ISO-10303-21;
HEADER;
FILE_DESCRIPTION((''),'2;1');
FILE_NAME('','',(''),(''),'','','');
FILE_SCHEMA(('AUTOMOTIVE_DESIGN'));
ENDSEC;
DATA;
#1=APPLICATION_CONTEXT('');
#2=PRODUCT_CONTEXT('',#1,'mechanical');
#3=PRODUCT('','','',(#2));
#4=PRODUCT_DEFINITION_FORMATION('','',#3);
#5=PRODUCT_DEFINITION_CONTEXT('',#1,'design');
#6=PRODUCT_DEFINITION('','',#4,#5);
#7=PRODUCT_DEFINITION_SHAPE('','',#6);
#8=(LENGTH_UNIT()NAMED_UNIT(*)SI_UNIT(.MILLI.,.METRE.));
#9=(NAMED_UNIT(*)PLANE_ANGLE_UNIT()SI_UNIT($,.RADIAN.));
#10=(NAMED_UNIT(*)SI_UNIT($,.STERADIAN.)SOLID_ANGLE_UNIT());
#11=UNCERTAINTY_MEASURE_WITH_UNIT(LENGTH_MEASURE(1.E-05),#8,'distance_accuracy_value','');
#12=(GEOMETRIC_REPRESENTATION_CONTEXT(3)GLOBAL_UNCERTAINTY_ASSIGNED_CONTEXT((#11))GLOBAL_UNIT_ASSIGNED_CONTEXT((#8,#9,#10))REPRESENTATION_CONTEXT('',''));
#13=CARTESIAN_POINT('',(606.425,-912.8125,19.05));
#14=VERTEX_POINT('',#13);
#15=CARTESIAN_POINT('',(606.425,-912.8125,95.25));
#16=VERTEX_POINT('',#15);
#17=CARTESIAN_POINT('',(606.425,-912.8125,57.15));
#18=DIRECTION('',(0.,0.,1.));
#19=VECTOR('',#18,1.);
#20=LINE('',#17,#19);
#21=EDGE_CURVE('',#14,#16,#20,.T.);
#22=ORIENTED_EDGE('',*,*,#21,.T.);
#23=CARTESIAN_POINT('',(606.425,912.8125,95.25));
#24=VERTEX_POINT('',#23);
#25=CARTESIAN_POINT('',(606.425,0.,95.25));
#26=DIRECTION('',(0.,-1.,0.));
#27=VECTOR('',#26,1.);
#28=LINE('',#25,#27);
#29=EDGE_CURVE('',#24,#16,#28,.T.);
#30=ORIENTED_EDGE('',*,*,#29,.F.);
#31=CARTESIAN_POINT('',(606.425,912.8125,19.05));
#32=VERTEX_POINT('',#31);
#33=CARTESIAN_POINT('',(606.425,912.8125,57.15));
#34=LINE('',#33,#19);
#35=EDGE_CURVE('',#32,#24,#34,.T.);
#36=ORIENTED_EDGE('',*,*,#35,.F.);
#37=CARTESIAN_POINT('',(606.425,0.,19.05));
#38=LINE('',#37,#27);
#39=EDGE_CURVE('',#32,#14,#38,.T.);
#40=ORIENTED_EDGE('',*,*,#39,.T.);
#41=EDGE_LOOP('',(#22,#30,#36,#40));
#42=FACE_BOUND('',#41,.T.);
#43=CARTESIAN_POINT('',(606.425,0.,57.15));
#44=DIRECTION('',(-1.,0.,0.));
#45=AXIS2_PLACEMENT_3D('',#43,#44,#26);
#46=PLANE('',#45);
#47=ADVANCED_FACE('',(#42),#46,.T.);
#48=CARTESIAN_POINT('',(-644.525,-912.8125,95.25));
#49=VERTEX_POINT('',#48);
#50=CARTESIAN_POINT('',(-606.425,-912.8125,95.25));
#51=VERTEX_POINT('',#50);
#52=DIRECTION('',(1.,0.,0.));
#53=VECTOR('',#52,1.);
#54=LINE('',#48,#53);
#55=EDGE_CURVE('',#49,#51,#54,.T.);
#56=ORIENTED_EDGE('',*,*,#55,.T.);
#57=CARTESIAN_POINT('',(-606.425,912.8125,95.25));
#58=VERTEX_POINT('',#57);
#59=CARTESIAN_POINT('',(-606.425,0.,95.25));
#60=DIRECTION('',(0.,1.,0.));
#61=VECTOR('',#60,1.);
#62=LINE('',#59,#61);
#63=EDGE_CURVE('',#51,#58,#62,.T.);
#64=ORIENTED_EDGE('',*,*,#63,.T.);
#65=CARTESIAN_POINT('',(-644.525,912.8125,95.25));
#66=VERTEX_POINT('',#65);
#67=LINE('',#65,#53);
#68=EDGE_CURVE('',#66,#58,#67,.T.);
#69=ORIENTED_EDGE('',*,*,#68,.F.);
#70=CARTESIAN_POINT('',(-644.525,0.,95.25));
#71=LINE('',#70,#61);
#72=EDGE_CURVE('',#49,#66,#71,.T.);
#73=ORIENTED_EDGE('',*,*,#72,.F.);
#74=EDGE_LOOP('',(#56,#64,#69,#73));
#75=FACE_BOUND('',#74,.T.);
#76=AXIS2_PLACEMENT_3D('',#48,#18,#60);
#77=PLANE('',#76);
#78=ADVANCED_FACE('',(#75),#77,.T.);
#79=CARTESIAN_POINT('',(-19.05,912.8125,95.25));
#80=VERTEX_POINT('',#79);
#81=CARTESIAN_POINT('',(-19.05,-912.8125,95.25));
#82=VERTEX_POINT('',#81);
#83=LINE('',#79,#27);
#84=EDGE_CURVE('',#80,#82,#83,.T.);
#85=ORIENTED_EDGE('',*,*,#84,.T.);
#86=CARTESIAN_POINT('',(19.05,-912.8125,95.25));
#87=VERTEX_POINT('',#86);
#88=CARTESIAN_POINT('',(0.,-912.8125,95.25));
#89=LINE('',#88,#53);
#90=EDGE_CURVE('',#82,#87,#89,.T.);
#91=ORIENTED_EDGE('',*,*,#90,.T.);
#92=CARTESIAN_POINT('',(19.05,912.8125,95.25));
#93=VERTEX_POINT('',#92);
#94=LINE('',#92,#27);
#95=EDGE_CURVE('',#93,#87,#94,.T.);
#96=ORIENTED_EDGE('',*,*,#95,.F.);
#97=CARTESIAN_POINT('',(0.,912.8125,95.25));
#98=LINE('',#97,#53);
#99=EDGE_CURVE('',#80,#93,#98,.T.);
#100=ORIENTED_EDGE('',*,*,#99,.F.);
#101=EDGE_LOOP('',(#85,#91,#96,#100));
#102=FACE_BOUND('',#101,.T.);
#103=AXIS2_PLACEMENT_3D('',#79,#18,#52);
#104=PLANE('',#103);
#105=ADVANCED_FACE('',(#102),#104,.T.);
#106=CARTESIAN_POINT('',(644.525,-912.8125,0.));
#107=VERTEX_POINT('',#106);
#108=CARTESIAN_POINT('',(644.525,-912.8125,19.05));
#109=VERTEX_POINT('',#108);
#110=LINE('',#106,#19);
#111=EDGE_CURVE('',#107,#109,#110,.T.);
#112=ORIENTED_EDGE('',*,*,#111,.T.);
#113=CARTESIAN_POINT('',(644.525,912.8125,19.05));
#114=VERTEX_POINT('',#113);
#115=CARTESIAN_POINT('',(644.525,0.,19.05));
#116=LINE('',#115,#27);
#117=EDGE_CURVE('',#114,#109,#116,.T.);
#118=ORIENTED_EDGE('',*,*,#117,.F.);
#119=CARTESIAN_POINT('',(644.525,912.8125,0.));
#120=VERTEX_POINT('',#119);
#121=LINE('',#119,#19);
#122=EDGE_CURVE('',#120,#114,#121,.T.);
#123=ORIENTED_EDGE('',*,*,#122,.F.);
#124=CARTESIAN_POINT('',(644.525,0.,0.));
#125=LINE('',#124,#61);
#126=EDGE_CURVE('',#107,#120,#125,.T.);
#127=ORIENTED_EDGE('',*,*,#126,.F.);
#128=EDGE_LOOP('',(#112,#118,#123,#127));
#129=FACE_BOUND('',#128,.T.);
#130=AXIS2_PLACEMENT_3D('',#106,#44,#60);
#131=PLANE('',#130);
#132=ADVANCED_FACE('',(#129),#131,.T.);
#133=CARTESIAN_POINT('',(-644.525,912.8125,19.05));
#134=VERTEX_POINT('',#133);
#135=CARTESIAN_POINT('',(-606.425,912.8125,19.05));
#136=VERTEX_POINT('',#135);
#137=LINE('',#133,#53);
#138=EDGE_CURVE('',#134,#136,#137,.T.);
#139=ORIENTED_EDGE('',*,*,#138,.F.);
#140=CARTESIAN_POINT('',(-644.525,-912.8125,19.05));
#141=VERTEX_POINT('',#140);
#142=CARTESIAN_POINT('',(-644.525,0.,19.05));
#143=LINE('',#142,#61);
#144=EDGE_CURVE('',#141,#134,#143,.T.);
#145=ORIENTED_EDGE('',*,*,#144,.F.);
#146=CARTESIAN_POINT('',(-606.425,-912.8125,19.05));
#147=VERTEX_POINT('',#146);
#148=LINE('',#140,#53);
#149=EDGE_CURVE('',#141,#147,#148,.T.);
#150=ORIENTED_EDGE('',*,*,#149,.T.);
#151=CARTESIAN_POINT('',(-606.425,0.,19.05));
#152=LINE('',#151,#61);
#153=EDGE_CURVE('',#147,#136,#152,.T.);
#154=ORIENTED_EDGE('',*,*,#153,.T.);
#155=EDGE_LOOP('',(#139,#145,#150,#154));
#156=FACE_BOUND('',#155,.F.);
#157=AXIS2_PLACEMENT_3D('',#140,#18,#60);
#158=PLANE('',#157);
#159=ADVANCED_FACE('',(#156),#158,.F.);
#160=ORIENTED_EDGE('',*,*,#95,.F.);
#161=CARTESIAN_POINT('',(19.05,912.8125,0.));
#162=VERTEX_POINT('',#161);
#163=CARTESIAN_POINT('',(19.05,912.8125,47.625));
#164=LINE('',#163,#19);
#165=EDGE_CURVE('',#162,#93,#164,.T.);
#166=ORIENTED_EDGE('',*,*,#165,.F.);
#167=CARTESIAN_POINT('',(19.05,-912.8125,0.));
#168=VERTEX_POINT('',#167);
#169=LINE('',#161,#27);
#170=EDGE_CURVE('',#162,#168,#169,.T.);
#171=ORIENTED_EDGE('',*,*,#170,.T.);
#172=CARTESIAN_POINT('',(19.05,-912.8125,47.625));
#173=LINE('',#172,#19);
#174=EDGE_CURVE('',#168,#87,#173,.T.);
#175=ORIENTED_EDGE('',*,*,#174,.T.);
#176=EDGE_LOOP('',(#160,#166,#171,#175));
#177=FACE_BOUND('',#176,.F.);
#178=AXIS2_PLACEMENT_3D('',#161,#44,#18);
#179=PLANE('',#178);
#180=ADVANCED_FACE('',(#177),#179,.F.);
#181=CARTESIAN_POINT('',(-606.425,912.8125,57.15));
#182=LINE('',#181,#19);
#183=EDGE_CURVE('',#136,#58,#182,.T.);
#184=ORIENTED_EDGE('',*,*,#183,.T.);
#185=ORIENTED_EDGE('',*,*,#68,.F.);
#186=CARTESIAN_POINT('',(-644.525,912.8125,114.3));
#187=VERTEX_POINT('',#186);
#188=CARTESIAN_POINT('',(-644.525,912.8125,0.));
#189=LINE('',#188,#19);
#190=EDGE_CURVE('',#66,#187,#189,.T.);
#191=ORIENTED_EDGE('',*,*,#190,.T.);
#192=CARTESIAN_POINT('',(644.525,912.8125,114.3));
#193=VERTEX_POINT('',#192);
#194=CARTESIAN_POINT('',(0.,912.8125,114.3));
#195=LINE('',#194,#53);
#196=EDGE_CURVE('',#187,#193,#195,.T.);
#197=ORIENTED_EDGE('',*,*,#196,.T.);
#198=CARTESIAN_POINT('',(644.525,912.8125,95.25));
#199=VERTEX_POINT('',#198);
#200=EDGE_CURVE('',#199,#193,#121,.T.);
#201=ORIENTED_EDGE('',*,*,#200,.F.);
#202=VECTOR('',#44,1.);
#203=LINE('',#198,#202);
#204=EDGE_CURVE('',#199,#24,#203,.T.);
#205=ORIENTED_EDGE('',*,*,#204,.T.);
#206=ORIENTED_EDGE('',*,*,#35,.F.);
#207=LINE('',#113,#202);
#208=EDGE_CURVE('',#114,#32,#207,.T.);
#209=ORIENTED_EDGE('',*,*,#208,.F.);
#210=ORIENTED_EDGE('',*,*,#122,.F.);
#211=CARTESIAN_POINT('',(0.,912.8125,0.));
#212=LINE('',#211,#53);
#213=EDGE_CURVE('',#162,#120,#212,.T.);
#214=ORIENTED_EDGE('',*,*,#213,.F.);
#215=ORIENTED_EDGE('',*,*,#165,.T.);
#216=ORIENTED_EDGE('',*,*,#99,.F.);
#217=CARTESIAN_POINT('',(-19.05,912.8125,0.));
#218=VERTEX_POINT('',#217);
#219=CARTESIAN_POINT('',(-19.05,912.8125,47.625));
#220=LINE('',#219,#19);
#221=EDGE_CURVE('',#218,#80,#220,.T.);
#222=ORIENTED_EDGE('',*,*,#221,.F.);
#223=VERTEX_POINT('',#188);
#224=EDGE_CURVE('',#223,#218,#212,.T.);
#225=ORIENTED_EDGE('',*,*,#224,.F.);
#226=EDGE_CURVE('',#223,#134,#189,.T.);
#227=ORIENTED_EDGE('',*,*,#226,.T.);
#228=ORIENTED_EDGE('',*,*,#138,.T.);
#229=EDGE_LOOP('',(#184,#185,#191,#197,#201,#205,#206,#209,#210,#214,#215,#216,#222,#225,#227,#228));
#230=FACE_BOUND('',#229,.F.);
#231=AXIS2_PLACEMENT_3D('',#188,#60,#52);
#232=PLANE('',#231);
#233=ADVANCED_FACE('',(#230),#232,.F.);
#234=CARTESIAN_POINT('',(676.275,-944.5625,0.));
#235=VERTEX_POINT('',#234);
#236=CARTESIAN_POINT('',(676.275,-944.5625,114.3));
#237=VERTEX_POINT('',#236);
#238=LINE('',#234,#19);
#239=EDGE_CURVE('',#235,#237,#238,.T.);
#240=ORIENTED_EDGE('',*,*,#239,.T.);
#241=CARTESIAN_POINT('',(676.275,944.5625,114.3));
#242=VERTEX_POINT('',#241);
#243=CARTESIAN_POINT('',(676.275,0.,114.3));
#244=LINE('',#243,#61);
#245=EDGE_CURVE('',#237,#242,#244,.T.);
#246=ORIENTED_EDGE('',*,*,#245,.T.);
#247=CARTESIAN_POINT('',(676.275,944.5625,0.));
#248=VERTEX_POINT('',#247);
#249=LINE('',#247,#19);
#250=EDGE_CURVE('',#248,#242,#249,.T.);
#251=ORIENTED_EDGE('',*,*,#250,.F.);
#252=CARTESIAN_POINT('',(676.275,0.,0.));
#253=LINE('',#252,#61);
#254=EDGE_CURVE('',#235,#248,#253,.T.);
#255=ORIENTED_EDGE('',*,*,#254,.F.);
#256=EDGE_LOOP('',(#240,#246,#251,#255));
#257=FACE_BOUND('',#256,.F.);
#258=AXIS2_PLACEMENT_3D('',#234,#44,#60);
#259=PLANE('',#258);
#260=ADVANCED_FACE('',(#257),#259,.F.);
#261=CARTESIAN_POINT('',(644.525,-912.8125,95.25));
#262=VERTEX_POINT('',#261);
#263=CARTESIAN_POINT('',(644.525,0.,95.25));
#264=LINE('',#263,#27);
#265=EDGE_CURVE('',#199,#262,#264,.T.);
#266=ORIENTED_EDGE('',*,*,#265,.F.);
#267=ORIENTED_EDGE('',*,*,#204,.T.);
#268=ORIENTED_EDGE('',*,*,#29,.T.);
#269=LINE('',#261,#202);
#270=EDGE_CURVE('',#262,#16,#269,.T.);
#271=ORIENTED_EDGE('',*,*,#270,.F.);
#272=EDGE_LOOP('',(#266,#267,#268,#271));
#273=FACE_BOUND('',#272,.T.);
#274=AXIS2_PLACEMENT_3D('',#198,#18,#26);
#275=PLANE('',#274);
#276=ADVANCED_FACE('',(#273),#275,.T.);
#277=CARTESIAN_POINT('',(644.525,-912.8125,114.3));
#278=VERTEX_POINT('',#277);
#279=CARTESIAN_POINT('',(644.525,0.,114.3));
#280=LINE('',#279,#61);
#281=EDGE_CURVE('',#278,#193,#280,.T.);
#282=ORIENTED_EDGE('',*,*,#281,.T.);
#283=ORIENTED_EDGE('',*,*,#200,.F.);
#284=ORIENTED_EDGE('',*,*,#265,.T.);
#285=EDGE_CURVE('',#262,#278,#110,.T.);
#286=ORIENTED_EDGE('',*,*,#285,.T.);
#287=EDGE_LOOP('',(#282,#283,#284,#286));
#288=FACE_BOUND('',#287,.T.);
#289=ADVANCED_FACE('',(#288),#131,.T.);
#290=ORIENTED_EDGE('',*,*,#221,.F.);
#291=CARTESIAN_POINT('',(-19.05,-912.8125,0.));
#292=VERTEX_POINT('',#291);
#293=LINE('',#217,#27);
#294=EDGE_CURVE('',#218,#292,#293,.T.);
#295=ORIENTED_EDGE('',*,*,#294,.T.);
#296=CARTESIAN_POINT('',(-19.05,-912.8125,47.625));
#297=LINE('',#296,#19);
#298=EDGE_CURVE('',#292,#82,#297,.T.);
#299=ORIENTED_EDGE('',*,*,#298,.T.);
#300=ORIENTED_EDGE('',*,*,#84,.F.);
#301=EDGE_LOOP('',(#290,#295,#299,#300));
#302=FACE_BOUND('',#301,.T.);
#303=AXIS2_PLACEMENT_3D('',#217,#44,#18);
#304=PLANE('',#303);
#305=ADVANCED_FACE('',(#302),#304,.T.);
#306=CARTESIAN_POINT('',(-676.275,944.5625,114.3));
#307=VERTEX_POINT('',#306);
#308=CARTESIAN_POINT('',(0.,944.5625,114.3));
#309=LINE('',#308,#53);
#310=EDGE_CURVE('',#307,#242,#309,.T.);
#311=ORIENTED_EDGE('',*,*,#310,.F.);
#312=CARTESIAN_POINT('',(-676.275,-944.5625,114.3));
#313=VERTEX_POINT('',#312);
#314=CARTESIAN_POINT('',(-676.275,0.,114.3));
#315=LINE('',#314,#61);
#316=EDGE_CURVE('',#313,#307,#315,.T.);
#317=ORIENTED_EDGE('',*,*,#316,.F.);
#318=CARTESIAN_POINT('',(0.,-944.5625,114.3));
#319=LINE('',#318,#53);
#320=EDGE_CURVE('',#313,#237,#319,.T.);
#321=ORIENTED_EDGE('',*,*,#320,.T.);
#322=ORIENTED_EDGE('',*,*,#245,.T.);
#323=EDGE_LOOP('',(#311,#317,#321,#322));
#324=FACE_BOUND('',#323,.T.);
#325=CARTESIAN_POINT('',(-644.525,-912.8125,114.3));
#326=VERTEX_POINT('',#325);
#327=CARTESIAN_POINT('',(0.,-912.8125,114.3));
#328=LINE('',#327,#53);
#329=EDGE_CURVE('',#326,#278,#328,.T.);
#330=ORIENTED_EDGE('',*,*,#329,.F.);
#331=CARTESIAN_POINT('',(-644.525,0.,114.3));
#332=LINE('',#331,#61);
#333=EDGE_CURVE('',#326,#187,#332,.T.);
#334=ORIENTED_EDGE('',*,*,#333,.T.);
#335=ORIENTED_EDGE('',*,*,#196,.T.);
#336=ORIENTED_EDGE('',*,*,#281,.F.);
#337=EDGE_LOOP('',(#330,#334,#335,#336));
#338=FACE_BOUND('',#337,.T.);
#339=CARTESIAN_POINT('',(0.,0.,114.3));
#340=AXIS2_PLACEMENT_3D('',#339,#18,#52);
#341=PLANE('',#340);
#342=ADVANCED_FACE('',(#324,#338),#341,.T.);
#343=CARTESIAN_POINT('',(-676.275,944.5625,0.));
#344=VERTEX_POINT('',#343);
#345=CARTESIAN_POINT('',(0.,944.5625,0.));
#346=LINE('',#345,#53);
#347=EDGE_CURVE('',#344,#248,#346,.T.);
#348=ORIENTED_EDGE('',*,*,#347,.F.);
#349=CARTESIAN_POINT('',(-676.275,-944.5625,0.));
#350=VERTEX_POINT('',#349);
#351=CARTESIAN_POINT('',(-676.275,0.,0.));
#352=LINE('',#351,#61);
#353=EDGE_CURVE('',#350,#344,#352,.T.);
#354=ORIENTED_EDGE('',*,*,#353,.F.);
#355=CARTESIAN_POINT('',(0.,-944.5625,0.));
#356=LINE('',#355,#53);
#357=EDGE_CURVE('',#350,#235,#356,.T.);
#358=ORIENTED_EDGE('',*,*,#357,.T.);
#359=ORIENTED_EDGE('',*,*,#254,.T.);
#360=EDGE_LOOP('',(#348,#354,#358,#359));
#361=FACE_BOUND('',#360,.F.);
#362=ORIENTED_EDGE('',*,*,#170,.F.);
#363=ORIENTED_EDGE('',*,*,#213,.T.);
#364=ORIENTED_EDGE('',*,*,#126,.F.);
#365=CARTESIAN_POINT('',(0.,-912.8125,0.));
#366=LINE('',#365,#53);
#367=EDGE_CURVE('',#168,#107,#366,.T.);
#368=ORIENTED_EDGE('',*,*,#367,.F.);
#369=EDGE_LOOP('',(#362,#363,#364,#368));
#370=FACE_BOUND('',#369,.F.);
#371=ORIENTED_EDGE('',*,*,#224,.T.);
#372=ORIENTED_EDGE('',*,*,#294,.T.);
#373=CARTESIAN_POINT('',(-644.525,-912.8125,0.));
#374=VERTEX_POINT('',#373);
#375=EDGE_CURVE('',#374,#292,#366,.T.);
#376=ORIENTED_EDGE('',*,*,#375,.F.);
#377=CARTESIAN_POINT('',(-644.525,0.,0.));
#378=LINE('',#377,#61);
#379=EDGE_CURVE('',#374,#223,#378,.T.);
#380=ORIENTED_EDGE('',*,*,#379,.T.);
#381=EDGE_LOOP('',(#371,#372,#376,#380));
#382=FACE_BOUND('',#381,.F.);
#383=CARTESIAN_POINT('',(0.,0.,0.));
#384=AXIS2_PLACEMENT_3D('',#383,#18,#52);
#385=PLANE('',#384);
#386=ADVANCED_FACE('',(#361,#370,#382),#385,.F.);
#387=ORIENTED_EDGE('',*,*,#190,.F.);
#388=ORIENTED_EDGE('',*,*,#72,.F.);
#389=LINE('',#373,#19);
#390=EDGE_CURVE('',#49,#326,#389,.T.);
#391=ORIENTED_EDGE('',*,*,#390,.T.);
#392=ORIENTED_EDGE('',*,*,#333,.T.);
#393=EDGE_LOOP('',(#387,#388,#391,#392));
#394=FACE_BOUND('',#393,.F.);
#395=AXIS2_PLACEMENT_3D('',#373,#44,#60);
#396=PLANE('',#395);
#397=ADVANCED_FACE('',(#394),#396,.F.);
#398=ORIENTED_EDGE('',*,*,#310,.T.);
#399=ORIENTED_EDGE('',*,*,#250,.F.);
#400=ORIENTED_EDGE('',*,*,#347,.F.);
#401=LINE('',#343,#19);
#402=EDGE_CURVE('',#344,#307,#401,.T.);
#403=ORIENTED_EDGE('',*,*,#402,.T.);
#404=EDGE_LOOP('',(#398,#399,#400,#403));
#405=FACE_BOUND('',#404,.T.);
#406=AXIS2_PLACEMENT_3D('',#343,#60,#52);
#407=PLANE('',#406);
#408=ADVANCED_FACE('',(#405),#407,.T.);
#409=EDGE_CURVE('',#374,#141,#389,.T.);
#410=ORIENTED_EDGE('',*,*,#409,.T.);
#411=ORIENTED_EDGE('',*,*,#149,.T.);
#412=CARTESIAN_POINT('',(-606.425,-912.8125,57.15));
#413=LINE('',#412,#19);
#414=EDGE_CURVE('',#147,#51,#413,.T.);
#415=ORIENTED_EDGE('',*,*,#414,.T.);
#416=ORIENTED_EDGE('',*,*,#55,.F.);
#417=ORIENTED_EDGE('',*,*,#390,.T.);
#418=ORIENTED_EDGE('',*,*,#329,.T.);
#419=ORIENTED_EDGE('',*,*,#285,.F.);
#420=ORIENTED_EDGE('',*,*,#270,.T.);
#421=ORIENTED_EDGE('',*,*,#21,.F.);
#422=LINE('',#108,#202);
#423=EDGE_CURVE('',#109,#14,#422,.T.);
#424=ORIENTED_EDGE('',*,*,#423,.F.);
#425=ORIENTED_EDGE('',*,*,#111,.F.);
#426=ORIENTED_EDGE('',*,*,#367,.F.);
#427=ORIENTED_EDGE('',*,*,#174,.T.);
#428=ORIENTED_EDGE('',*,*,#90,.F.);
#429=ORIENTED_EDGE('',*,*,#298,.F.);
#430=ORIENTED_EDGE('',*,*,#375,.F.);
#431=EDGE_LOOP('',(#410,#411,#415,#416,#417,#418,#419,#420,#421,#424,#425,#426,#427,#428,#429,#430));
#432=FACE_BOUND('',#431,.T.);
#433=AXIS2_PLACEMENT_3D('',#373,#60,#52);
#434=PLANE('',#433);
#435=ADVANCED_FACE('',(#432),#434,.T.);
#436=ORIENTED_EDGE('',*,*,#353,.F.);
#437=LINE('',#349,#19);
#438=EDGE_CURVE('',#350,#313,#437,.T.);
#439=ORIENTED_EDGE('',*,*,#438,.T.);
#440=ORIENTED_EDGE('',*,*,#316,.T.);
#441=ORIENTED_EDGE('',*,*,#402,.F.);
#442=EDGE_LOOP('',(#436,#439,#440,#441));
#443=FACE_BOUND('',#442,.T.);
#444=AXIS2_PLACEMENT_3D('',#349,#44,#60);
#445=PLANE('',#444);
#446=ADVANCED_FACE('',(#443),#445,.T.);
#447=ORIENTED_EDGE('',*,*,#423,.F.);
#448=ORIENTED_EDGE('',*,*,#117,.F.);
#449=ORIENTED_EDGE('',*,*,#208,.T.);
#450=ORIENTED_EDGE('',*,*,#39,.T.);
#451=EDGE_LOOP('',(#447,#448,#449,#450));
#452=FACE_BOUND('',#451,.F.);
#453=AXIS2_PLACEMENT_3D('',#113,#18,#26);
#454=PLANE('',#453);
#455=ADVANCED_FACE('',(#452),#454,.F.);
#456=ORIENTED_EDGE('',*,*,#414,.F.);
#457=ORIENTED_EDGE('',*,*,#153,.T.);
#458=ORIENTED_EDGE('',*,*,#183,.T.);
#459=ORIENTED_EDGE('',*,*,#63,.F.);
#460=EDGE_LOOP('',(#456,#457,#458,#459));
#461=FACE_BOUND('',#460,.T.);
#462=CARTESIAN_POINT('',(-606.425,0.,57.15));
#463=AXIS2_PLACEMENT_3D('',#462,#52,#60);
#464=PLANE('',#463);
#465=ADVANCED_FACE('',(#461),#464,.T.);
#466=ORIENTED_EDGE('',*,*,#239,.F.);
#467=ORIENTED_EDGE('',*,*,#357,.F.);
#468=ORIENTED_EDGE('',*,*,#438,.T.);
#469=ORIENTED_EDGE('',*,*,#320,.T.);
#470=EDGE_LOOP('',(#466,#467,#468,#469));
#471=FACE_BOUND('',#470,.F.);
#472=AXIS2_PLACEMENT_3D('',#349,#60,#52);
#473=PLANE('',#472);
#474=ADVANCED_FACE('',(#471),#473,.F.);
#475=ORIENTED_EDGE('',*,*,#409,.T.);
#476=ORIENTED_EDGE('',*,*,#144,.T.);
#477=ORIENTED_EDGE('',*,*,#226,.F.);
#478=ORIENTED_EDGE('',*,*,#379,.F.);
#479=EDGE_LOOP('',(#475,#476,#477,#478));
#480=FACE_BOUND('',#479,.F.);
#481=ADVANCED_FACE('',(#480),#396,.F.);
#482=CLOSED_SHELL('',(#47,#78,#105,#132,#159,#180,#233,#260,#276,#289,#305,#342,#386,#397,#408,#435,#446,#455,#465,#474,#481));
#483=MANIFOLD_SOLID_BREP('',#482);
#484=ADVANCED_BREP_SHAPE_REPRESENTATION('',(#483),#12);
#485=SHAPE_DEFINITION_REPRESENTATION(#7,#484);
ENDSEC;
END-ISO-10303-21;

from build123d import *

# Parameters (mm, degrees)
F0_W     = 1352.55
F0_H     = 1889.125
F0_W_2   = 1289.05
F0_H_2   = 1825.625
F1_DEPTH = 114.3
F2_W     = 1825.625
F2_H     = 76.2
F3_DEPTH = 38.1
F4_W     = 1825.625
F4_H     = 76.2
F5_DEPTH = 38.1
F6_W     = 38.1
F6_H     = 95.25
F7_DEPTH = 1825.625


with BuildPart() as f1:
    # F0 (on Top) → F1 (new body)
    with BuildSketch(Plane.XY):
        Rectangle(F0_W, F0_H)
        Rectangle(F0_W_2, F0_H_2, mode=Mode.SUBTRACT)
    extrude(amount=F1_DEPTH)

    # F2 (on face) → F3 (join)
    with BuildSketch(Plane(origin=(644.525, 0, 0), x_dir=(0, -1, 0), z_dir=(-1, 0, 0))):
        with Locations((0, 57.15)):
            Rectangle(F2_W, F2_H)
    extrude(amount=F3_DEPTH)

    # F4 (on face) → F5 (join)
    with BuildSketch(Plane.YZ.offset(-644.525)):
        with Locations((0, 57.15)):
            Rectangle(F4_W, F4_H)
    extrude(amount=F5_DEPTH)

    # F6 (on face) → F7 (join, through all)
    with BuildSketch(Plane.XZ.offset(-912.8125)):
        with Locations((0, 47.625)):
            Rectangle(F6_W, F6_H)
    extrude(amount=F7_DEPTH)


solid = f1.part
